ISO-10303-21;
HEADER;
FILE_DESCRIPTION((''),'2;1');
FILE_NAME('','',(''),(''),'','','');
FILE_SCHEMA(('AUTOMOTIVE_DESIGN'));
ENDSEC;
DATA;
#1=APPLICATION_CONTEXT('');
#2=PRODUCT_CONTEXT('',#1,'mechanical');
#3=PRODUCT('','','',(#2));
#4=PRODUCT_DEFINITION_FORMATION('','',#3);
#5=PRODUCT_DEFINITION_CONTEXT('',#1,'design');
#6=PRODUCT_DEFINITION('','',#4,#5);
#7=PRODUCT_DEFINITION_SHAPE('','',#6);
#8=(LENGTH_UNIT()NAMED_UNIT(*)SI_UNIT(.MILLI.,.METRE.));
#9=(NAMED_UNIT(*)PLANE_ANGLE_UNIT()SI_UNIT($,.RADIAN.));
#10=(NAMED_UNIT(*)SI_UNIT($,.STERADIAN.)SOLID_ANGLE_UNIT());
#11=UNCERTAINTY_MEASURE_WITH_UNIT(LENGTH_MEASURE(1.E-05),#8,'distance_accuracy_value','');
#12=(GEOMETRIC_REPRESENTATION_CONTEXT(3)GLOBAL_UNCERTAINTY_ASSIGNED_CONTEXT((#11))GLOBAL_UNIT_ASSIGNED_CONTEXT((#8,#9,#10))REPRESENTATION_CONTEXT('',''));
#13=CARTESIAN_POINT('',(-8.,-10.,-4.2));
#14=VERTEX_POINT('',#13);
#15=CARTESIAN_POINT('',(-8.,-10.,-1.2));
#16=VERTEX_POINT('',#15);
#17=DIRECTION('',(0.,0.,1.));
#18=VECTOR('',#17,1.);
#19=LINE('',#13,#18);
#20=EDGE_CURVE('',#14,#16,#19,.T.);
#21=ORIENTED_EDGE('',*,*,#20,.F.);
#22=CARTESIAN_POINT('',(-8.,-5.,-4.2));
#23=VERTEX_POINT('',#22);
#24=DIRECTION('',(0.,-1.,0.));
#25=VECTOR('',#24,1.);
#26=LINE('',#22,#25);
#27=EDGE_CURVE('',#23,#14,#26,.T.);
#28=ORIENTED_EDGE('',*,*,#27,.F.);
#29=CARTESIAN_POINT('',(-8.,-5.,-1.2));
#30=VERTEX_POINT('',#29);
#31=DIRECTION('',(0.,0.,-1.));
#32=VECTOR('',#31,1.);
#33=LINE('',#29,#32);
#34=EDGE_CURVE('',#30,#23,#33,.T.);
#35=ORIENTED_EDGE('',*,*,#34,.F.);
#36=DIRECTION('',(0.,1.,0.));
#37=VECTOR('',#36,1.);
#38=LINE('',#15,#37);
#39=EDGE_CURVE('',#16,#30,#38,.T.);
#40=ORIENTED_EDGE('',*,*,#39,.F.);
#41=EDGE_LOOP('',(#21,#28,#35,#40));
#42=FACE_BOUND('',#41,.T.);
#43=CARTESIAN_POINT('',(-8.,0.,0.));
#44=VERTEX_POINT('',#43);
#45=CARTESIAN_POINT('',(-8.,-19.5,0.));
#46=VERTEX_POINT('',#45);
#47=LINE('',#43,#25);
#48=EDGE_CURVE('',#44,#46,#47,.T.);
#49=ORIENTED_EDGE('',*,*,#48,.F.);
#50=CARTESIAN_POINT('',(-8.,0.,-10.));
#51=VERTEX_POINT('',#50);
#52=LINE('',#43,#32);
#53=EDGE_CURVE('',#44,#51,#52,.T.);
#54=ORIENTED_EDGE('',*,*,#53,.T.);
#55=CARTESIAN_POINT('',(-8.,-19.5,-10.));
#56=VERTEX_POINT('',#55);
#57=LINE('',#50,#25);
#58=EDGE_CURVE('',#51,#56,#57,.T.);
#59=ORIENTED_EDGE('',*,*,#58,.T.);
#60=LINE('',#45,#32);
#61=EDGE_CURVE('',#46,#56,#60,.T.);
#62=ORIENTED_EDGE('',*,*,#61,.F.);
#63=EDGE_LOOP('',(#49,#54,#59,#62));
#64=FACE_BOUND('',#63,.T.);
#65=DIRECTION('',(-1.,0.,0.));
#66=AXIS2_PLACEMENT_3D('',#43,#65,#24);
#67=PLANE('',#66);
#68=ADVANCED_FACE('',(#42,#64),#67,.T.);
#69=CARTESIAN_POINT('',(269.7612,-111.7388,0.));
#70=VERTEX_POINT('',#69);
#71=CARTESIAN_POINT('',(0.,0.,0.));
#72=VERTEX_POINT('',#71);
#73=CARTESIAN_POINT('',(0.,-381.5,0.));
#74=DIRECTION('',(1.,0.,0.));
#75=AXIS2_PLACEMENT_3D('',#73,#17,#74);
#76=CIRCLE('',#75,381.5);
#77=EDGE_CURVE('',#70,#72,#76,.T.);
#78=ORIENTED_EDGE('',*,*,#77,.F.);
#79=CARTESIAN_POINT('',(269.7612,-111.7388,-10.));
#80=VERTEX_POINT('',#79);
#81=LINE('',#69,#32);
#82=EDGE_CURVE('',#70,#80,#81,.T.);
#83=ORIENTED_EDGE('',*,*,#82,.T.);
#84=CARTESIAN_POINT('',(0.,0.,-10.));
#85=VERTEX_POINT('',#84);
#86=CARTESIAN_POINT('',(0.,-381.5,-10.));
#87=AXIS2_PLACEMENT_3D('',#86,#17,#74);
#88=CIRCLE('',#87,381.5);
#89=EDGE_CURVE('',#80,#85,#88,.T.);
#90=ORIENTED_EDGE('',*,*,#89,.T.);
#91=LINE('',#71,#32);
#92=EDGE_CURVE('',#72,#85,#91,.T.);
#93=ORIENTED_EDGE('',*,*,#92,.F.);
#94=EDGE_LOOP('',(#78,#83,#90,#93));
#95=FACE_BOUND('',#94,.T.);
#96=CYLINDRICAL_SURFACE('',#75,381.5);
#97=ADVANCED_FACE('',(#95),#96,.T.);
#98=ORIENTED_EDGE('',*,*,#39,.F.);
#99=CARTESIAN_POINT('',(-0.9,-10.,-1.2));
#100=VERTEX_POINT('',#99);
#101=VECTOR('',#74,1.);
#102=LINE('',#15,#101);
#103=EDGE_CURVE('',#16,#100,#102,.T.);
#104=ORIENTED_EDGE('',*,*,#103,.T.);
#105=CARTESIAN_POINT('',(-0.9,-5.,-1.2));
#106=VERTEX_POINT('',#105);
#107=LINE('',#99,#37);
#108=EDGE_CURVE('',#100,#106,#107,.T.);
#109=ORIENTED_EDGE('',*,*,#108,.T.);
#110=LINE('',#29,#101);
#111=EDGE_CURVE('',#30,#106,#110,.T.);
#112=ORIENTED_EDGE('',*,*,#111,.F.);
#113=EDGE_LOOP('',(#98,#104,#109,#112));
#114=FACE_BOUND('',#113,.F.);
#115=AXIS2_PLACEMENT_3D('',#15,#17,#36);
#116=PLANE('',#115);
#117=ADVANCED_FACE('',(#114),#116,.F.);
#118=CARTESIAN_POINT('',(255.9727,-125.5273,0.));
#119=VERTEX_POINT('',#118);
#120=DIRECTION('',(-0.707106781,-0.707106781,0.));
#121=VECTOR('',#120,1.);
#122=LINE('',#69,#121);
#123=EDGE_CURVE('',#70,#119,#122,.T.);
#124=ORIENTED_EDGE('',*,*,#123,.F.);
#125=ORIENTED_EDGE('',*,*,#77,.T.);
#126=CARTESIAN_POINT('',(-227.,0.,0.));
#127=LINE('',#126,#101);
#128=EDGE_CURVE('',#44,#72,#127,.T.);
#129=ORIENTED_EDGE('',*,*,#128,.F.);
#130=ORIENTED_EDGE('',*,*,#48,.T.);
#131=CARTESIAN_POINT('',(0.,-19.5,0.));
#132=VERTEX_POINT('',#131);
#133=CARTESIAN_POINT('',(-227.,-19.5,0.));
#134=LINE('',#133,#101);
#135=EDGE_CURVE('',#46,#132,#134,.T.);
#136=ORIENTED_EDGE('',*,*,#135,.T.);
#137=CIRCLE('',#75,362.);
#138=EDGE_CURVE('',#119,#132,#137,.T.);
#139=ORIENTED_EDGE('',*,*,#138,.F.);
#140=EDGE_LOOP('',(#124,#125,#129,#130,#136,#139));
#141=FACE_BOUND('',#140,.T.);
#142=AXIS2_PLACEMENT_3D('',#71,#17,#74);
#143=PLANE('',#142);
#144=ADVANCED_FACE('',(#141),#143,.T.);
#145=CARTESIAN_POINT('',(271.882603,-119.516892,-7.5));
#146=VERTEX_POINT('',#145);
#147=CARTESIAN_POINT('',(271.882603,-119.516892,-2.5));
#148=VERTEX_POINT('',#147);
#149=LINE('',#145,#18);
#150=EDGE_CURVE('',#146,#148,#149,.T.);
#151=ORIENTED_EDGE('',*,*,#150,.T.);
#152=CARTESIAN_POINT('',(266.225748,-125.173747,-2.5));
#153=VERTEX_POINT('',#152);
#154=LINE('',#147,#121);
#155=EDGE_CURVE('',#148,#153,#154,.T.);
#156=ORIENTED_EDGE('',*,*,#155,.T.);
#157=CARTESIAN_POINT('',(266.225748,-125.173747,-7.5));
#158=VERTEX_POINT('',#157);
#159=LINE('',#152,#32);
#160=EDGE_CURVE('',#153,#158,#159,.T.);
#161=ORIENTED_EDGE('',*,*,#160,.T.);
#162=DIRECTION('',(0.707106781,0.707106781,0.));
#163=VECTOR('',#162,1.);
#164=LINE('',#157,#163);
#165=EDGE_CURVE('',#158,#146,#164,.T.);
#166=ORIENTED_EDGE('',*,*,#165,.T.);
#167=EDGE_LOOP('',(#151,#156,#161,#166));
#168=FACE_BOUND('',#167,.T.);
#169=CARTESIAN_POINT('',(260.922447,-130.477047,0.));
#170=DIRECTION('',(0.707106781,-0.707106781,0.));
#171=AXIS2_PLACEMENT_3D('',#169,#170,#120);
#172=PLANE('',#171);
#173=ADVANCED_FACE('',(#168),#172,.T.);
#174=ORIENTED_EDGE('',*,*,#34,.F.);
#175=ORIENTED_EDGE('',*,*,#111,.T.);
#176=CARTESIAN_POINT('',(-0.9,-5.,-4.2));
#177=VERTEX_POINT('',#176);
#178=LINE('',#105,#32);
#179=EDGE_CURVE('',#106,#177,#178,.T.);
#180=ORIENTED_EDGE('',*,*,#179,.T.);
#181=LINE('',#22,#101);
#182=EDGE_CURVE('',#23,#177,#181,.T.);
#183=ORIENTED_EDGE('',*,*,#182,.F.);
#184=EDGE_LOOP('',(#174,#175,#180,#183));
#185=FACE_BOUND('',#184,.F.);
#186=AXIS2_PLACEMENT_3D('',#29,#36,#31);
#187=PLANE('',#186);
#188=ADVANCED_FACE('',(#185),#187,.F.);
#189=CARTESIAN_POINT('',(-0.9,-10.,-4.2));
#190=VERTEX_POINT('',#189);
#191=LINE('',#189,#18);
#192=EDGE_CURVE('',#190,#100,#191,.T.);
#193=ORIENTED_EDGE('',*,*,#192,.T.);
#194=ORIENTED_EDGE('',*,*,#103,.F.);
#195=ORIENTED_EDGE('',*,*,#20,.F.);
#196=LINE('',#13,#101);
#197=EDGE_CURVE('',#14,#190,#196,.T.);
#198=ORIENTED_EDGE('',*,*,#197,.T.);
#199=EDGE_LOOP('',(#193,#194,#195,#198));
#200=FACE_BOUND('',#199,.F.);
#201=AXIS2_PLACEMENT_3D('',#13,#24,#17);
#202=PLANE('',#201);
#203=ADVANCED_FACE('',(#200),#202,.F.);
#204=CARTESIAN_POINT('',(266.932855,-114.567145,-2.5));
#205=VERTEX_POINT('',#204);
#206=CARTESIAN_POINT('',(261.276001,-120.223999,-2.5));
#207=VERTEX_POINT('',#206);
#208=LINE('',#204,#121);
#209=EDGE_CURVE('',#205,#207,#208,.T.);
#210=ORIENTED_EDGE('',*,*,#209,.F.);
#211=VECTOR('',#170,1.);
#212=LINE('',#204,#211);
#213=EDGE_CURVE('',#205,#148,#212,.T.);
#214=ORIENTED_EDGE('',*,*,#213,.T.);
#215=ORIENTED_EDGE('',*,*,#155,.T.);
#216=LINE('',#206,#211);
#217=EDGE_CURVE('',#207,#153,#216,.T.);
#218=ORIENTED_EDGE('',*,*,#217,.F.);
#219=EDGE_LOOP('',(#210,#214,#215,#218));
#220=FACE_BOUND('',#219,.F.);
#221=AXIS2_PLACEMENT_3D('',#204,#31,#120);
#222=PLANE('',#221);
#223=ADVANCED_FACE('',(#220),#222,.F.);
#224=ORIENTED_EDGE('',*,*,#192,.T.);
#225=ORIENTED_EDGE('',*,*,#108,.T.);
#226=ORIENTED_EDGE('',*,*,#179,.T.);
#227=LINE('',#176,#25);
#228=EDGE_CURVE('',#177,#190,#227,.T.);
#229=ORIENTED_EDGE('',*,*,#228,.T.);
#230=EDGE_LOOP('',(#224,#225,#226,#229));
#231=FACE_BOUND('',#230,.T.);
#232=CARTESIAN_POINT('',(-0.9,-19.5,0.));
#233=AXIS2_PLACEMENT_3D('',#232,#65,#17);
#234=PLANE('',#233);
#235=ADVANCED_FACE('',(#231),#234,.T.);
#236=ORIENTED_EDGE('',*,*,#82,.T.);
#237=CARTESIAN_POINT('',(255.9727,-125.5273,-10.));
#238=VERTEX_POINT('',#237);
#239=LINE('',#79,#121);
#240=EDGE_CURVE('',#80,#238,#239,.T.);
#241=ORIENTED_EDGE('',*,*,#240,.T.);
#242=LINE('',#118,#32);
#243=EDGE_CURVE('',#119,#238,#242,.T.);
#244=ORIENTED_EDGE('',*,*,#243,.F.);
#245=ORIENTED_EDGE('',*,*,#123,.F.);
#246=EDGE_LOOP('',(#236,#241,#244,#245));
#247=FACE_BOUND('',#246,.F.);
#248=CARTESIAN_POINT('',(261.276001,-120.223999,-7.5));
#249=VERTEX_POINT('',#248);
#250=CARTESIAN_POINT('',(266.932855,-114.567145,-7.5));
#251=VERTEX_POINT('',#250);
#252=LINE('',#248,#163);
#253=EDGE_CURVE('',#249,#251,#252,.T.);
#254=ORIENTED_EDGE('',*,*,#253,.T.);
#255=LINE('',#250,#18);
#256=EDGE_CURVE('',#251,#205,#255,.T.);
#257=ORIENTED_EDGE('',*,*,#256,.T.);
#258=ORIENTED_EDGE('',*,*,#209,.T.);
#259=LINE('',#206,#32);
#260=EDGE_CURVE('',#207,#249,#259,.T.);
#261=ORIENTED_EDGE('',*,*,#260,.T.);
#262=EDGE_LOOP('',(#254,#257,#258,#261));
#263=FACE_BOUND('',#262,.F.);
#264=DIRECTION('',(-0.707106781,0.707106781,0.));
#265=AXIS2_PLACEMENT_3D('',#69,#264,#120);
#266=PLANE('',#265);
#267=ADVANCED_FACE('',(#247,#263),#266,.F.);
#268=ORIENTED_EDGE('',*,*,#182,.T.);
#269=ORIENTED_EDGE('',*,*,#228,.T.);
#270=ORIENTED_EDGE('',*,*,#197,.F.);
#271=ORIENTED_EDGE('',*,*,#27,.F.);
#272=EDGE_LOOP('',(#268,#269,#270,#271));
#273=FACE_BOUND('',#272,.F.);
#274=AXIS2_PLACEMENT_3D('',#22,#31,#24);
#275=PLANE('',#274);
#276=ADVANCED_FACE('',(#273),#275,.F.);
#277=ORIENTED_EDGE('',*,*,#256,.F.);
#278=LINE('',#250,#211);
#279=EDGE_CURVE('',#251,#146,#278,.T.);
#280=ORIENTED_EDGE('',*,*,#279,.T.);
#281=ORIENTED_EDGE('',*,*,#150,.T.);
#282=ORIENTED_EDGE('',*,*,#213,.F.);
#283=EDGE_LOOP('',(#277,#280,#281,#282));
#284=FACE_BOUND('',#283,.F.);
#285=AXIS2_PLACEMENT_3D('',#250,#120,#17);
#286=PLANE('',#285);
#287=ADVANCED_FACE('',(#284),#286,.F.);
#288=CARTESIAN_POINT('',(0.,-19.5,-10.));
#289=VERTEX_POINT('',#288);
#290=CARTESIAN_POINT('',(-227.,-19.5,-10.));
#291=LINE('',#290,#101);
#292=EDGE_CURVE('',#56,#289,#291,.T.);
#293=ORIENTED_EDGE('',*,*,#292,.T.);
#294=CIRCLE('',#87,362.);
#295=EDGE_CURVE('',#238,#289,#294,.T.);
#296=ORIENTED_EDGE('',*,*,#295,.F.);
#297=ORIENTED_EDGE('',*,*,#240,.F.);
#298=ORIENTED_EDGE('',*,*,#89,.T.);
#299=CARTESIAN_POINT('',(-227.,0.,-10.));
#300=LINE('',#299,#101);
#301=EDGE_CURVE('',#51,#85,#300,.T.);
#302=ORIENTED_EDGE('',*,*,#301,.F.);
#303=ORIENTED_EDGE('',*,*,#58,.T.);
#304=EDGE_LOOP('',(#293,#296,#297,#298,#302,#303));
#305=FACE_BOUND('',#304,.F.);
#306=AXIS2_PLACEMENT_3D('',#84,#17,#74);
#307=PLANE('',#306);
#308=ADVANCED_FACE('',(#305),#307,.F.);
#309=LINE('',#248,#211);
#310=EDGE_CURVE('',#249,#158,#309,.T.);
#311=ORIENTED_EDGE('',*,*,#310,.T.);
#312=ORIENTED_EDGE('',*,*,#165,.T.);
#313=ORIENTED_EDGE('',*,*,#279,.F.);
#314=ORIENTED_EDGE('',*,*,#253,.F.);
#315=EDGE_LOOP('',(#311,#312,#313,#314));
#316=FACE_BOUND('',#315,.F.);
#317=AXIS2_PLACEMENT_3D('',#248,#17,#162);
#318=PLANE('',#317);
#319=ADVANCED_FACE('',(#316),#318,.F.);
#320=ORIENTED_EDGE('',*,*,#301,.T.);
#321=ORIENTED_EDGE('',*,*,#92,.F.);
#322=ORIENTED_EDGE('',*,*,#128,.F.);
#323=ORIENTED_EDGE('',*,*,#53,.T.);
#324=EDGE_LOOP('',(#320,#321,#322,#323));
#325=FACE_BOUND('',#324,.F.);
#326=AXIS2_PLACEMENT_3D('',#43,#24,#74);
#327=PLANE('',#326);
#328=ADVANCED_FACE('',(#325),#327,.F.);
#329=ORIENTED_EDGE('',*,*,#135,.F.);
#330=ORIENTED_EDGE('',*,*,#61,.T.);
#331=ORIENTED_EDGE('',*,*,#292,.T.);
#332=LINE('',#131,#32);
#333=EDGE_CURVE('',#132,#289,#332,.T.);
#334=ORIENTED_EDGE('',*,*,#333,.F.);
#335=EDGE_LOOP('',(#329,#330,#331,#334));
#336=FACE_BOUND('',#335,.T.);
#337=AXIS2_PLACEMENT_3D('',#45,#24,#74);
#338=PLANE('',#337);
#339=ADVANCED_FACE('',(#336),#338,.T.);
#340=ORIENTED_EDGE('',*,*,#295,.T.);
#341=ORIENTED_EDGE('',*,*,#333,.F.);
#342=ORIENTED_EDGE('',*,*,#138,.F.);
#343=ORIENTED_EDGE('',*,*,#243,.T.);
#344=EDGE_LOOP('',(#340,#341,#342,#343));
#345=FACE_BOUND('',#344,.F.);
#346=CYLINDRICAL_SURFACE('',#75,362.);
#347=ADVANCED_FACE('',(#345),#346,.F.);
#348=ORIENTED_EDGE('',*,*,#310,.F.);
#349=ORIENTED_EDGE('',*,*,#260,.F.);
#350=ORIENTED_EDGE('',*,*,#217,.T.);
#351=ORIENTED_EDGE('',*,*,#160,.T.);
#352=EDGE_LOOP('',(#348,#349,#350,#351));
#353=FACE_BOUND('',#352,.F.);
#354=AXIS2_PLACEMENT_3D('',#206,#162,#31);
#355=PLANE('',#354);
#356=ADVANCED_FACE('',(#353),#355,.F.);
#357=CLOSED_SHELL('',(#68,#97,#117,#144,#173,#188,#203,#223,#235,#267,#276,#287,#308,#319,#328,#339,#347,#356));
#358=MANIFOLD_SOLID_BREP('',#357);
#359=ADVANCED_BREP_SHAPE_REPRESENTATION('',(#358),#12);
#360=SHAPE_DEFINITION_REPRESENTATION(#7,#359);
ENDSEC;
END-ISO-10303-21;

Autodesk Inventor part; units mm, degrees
ref_plane "YZ Plane" through (0, 0, 0) normal (1, 0, 0) x (0, 1, 0)
ref_plane "XZ Plane" through (0, 0, 0) normal (0, 1, 0) x (-1, 0, 0)
ref_plane "XY Plane" through (0, 0, 0) normal (0, 0, 1) x (1, 0, 0)
sketch "Sketch1" plane through (0, 0, 0) normal (0, 0, 1) x (1, 0, 0)
  arc A0 (381.5, -381.5) -> (0, 0) centre (0, -381.5) ccw projected
  line L0 (-227, 0) -> (0, 0) projected
  line L1 (381.5, -381.5) -> (381.5, -681.5) projected
  line L2 (-227, -19.5) -> (0, -19.5)
  arc A1 (362, -381.5) -> (0, -19.5) centre (0, -381.5) ccw
  line L3 (362, -381.5) -> (362, -681.5)
  line L4 (-8, 0) -> (-8, -19.5)
  line L5 (381.5, -389.5) -> (362, -389.5)
  line L6 (269.7612, -111.7388) -> (255.9727, -125.5273)
  dimension "d0" = 19.5
  dimension "d1" = 8
  dimension "d2" = 8
extrude "Extrusion1" add sketch "Sketch1" against normal blind 10 contours L6 A1 L2 L4 L0 A0
sketch "Sketch2" plane through (-8, -19.5, 0) normal (-1, 0, 0) x (0, 0, 1)
  line L0 (0, 19.5) -> (0, 0) projected
  line L1 (0, 19.5) -> (-10, 19.5) projected
  line L2 (-10, 0) -> (-10, 19.5) projected
  line L3 (0, 0) -> (-10, 0) projected
  line L4 (-1.2, 14.5) -> (-4.2, 14.5)
  line L5 (-4.2, 14.5) -> (-4.2, 9.5)
  line L6 (-4.2, 9.5) -> (-1.2, 9.5)
  line L7 (-1.2, 9.5) -> (-1.2, 14.5)
  line L8 (-1.2, 14.5) -> (-4.2, 9.5) construction
  line L9 (-4.2, 14.5) -> (-1.2, 9.5) construction
  point P0 (0, 19.5)
  point P1 (-2.7, 12)
  dimension "d5" = 3
  dimension "d6" = 5
  dimension "d7" = 1.2
  dimension "d8" = 5
extrude "Extrusion2" cut sketch "Sketch2" against normal blind 7.1 contours L7 L6 L5 L4
sketch "Sketch3" plane through (255.9727, -125.5273, 0) normal (0.7071, -0.7071, 0) x (-0.7071, -0.7071, 0)
  line L0 (0, 0) -> (-19.5, 0) projected
  line L1 (0, 0) -> (0, 10) projected
  line L2 (-19.5, 10) -> (0, 10) projected
  line L3 (-19.5, 0) -> (-19.5, 10) projected
  line L4 (-15.5, 2.5) -> (-7.5, 2.5)
  line L5 (-7.5, 2.5) -> (-7.5, 7.5)
  line L6 (-7.5, 7.5) -> (-15.5, 7.5)
  line L7 (-15.5, 7.5) -> (-15.5, 2.5)
  line L8 (-15.5, 2.5) -> (-7.5, 7.5) construction
  line L9 (-7.5, 2.5) -> (-15.5, 7.5) construction
  point P0 (92.2388, 0)
  point P1 (-11.5, 5)
  point P2 (-15.5, 5)
  point P3 (-19.5, 5)
  dimension "d11" = 8
  dimension "d12" = 5
  dimension "d13" = 4
extrude "Extrusion3" add sketch "Sketch3" along normal blind 7 contours L7 L6 L5 L4
properties part number "SEPARADOR_3"
